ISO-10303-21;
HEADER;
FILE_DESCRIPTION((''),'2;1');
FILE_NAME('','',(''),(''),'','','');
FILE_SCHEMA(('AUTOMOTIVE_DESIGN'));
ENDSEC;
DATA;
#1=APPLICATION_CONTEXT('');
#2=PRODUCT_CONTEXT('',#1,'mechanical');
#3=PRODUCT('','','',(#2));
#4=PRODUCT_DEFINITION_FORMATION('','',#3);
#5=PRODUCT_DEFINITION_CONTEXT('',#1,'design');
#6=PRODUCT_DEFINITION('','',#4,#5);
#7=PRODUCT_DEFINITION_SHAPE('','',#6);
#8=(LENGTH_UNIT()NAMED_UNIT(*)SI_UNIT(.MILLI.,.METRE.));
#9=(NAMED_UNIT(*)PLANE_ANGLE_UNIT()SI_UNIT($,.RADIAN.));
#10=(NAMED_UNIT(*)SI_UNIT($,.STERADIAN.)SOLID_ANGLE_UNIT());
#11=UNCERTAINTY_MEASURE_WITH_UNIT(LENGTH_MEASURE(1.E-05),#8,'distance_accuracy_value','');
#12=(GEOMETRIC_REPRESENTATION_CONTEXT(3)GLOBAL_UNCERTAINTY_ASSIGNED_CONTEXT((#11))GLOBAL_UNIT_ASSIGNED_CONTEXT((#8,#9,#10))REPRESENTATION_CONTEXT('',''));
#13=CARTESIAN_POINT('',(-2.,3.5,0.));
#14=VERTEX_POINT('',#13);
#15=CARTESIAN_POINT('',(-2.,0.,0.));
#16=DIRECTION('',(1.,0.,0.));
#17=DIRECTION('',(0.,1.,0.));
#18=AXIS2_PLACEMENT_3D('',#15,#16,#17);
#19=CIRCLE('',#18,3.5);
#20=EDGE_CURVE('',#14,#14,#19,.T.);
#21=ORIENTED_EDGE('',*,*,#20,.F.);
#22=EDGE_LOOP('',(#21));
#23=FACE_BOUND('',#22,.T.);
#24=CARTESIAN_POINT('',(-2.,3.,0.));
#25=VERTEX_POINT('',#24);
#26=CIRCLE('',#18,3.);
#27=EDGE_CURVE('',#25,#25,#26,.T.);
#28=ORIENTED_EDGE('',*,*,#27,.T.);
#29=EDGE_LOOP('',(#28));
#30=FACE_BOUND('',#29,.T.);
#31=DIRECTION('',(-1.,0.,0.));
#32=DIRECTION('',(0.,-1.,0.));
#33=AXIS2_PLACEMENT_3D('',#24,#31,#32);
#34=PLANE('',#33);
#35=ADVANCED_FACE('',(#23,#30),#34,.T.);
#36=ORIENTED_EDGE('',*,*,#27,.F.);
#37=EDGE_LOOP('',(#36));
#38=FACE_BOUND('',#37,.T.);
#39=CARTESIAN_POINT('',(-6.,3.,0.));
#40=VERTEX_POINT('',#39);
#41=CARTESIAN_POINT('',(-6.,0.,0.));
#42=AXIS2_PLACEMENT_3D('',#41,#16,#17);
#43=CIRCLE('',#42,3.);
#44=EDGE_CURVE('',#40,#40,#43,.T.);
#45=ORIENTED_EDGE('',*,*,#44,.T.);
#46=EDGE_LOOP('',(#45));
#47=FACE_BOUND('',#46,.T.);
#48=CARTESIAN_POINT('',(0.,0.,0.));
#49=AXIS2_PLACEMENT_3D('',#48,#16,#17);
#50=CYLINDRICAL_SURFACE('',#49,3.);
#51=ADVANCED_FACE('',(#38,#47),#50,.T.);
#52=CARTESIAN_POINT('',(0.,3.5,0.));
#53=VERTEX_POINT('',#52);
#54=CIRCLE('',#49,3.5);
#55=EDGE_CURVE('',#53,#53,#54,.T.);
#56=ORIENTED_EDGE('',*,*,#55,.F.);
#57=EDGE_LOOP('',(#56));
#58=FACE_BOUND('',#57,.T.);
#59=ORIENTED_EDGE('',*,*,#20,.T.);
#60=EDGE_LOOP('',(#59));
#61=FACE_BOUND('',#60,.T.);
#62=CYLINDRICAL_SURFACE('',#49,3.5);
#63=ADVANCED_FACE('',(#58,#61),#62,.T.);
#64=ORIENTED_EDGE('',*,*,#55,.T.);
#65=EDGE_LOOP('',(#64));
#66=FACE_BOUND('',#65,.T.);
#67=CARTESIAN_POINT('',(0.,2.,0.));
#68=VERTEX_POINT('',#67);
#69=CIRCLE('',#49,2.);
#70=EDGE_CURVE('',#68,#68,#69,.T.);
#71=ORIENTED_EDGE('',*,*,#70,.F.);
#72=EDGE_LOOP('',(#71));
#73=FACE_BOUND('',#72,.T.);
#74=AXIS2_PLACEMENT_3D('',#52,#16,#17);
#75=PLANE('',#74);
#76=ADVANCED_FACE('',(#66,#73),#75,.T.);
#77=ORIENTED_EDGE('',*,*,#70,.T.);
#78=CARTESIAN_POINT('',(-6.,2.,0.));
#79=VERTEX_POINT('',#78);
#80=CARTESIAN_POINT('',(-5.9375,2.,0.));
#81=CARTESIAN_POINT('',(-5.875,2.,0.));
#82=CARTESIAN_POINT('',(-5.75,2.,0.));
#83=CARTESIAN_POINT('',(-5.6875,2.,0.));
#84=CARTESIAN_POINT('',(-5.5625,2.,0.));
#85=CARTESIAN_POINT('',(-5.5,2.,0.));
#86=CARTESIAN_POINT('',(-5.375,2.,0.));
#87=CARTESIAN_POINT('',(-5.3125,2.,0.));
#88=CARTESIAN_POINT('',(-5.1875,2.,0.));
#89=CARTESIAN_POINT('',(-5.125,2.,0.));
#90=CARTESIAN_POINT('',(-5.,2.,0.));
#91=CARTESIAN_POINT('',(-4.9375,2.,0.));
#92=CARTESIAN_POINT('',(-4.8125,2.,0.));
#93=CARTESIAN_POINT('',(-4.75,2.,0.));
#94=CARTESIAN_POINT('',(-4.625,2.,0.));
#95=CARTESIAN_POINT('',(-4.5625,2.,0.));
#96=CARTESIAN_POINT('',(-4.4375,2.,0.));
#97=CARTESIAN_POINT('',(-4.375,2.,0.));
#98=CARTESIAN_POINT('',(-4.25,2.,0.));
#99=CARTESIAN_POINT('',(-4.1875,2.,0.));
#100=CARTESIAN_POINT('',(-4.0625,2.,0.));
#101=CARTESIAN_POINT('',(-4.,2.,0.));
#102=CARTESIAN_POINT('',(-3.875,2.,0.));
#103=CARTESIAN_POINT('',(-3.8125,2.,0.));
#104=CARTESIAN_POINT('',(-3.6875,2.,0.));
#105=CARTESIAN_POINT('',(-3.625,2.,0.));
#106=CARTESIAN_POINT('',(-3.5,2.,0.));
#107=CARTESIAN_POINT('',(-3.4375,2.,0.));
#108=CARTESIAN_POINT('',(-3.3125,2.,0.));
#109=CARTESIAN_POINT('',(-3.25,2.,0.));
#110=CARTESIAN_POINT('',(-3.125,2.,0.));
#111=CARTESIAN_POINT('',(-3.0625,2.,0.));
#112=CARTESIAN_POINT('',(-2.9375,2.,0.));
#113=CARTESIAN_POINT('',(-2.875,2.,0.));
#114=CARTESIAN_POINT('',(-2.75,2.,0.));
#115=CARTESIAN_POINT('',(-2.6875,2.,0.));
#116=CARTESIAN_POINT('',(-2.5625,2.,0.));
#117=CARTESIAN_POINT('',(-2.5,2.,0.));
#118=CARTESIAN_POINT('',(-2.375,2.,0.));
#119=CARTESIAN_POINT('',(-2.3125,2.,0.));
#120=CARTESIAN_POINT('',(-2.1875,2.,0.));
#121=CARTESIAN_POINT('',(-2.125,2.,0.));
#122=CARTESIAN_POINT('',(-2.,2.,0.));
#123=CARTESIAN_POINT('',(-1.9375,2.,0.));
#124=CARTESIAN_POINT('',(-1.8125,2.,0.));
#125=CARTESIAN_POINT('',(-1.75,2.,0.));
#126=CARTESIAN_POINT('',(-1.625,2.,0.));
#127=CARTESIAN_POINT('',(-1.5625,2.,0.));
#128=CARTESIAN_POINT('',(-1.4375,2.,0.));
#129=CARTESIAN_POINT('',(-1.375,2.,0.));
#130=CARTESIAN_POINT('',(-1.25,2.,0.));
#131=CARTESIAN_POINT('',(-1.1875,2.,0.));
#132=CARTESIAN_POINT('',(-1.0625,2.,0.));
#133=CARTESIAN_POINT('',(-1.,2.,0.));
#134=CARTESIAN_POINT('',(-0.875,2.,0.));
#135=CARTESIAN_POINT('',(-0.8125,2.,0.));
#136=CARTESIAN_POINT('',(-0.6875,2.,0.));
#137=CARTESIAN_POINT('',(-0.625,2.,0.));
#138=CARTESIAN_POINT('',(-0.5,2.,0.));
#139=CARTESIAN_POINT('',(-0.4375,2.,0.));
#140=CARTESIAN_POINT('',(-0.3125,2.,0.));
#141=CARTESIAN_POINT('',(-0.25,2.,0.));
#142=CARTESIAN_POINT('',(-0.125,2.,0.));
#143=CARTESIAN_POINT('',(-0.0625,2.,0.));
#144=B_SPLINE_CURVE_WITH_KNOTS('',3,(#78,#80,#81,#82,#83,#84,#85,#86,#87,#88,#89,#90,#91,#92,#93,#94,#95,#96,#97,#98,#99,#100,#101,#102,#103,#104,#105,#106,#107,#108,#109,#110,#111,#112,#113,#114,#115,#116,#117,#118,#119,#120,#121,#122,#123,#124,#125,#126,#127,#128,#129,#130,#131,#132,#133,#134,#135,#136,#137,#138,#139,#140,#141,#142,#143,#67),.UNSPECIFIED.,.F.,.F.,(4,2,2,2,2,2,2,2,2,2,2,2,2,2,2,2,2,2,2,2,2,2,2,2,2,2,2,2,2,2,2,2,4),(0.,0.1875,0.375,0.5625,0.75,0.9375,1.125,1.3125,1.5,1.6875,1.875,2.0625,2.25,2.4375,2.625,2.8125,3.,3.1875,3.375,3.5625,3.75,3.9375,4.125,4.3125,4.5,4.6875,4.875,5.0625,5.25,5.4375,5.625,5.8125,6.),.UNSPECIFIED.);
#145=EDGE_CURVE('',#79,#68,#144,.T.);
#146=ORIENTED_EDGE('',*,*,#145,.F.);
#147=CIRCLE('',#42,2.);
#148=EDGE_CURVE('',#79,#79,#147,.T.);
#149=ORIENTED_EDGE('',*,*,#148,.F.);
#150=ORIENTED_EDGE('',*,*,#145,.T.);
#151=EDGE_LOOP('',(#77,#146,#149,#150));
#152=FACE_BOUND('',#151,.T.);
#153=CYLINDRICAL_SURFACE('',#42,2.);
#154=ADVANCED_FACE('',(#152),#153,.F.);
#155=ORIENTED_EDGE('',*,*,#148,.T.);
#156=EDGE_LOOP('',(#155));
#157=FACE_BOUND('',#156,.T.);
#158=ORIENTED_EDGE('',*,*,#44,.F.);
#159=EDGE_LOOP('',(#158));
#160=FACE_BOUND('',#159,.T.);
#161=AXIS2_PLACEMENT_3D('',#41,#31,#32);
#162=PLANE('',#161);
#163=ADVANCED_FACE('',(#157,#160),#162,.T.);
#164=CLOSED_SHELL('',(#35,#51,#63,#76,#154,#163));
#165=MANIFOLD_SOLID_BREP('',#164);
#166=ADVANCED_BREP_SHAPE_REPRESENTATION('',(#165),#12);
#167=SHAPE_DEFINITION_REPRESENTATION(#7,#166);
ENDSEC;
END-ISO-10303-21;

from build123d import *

# Parameters (mm, degrees)
SKETCH3_R          = 2
CUT_EXTRUDE1_DEPTH = 8.778174593


with BuildPart() as part:
    # Sketch2 → Revolve1 (revolve)
    with BuildSketch(Plane.XY):
        Polygon((-6, 0), (-6, 3), (-2, 3), (-2, 3.5), (0, 3.5), (0, 0), align=None)
    revolve(axis=Axis((0, 0, 0), (-1, 0, 0)))

    # Sketch3 → Cut-Extrude1 (cut, through all)
    with BuildSketch(Plane(origin=(0, 0, 0), x_dir=(0, 0, -1), z_dir=(1, 0, 0))):
        with Locations(Location((0, 0, 0), (0, 0, 90))):
            Circle(SKETCH3_R)
    extrude(amount=-CUT_EXTRUDE1_DEPTH, mode=Mode.SUBTRACT)


solid = part.part
